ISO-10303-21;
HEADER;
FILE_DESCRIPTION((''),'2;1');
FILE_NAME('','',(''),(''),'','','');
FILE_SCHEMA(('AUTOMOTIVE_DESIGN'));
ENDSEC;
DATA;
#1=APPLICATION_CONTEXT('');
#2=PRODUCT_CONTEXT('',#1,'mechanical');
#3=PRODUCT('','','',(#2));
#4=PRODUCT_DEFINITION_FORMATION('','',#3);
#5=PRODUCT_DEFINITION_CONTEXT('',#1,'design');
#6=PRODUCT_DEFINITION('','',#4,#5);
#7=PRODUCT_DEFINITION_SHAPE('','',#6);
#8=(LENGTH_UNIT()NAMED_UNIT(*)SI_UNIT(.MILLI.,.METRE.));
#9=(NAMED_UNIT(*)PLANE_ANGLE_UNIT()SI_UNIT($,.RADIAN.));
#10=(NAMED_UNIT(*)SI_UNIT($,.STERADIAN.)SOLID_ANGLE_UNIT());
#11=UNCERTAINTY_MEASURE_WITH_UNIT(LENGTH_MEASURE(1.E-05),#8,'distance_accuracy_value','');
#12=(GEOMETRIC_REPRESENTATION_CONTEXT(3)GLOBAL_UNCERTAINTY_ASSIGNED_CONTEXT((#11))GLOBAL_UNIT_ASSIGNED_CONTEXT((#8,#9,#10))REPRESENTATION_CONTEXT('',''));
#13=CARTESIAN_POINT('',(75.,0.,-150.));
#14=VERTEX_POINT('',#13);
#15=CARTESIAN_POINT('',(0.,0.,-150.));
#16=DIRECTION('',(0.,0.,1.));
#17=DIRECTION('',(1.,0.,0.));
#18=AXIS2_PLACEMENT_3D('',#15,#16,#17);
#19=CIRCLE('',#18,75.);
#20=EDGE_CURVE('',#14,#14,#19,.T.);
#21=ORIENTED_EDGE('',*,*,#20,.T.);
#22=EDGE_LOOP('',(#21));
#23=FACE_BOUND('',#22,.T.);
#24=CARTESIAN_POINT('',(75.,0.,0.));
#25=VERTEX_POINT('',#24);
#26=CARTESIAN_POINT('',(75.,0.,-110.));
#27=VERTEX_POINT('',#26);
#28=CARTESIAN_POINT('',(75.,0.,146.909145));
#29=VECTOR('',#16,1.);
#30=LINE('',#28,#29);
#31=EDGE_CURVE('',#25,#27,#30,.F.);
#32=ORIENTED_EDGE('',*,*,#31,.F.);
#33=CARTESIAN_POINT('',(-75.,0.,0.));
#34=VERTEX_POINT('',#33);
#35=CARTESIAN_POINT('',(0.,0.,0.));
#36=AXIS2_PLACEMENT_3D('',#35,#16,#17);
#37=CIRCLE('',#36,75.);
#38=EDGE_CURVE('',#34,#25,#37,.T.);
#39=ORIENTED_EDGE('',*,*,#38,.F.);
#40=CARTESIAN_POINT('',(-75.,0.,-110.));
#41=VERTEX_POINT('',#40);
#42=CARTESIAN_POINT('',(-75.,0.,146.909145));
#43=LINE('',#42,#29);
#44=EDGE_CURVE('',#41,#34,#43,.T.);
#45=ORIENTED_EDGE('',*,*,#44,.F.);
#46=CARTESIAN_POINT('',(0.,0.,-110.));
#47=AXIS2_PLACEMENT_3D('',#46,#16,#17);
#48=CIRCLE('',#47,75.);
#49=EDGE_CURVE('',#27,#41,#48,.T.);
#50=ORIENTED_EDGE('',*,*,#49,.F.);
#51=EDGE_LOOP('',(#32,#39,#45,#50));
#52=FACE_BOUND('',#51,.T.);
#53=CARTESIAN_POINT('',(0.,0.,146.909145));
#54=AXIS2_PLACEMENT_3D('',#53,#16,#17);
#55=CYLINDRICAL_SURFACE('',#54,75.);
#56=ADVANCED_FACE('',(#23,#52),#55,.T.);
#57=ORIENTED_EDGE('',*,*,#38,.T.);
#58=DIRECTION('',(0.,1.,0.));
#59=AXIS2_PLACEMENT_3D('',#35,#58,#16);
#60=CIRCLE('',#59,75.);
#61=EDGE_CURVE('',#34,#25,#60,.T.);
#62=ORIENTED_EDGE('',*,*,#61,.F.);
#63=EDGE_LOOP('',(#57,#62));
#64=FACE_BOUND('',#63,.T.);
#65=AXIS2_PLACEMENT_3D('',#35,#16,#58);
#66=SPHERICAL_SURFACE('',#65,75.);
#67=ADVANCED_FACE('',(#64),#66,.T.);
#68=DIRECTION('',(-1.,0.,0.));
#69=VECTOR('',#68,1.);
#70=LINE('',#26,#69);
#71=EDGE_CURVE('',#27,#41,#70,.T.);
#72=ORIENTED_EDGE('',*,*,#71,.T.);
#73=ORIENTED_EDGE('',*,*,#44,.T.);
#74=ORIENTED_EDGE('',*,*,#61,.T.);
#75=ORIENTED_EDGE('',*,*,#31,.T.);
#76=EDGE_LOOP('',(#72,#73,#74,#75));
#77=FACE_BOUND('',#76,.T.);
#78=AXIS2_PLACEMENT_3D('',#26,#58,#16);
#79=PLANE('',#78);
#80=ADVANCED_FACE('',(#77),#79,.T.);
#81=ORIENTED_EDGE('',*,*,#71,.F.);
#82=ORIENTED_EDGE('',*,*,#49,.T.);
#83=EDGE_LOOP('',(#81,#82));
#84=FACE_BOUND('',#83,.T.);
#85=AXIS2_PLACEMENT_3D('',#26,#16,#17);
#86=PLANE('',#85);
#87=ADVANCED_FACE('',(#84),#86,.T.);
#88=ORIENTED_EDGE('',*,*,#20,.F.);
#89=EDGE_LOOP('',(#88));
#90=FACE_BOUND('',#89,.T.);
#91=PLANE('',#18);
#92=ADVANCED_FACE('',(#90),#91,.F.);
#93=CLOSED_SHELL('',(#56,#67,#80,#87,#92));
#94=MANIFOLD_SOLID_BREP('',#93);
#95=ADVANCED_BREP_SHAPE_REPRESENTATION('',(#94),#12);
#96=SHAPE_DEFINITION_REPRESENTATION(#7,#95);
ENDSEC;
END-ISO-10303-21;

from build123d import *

# Parameters (mm, degrees)
CUT_EXTRUDE1_DEPTH      = 76
CUT_EXTRUDE1_DEPTH_BACK = 76


with BuildPart() as part:
    # Sketch1 → Revolve1 (revolve)
    with BuildSketch(Plane(origin=(0, 0, 0), x_dir=(0, 0, -1), z_dir=(1, 0, 0))):
        with BuildLine():
            Line((150, 0), (-75, 0))
            ThreePointArc((-75, 0), (-53.033008589, 53.033008589), (0, 75))
            Line((0, 75), (150, 75))
            Line((150, 75), (150, 0))
        make_face()
    revolve(axis=Axis((0, 0, 146.909145291), (0, 0, -1)))

    # Sketch2 → Cut-Extrude1 (cut, two sides)
    with BuildSketch(Plane(origin=(0, 0, 0), x_dir=(0, 0, -1), z_dir=(1, 0, 0))) as cut_extrude1_sk:
        with BuildLine():
            Line((110, 0), (110, 75))
            Line((110, 75), (0, 75))
            ThreePointArc((0, 75), (-53.033008589, 53.033008589), (-75, 0))
            Line((-75, 0), (110, 0))
        make_face()
    extrude(amount=CUT_EXTRUDE1_DEPTH, mode=Mode.SUBTRACT)
    extrude(cut_extrude1_sk.sketch, amount=-CUT_EXTRUDE1_DEPTH_BACK, mode=Mode.SUBTRACT)


solid = part.part
